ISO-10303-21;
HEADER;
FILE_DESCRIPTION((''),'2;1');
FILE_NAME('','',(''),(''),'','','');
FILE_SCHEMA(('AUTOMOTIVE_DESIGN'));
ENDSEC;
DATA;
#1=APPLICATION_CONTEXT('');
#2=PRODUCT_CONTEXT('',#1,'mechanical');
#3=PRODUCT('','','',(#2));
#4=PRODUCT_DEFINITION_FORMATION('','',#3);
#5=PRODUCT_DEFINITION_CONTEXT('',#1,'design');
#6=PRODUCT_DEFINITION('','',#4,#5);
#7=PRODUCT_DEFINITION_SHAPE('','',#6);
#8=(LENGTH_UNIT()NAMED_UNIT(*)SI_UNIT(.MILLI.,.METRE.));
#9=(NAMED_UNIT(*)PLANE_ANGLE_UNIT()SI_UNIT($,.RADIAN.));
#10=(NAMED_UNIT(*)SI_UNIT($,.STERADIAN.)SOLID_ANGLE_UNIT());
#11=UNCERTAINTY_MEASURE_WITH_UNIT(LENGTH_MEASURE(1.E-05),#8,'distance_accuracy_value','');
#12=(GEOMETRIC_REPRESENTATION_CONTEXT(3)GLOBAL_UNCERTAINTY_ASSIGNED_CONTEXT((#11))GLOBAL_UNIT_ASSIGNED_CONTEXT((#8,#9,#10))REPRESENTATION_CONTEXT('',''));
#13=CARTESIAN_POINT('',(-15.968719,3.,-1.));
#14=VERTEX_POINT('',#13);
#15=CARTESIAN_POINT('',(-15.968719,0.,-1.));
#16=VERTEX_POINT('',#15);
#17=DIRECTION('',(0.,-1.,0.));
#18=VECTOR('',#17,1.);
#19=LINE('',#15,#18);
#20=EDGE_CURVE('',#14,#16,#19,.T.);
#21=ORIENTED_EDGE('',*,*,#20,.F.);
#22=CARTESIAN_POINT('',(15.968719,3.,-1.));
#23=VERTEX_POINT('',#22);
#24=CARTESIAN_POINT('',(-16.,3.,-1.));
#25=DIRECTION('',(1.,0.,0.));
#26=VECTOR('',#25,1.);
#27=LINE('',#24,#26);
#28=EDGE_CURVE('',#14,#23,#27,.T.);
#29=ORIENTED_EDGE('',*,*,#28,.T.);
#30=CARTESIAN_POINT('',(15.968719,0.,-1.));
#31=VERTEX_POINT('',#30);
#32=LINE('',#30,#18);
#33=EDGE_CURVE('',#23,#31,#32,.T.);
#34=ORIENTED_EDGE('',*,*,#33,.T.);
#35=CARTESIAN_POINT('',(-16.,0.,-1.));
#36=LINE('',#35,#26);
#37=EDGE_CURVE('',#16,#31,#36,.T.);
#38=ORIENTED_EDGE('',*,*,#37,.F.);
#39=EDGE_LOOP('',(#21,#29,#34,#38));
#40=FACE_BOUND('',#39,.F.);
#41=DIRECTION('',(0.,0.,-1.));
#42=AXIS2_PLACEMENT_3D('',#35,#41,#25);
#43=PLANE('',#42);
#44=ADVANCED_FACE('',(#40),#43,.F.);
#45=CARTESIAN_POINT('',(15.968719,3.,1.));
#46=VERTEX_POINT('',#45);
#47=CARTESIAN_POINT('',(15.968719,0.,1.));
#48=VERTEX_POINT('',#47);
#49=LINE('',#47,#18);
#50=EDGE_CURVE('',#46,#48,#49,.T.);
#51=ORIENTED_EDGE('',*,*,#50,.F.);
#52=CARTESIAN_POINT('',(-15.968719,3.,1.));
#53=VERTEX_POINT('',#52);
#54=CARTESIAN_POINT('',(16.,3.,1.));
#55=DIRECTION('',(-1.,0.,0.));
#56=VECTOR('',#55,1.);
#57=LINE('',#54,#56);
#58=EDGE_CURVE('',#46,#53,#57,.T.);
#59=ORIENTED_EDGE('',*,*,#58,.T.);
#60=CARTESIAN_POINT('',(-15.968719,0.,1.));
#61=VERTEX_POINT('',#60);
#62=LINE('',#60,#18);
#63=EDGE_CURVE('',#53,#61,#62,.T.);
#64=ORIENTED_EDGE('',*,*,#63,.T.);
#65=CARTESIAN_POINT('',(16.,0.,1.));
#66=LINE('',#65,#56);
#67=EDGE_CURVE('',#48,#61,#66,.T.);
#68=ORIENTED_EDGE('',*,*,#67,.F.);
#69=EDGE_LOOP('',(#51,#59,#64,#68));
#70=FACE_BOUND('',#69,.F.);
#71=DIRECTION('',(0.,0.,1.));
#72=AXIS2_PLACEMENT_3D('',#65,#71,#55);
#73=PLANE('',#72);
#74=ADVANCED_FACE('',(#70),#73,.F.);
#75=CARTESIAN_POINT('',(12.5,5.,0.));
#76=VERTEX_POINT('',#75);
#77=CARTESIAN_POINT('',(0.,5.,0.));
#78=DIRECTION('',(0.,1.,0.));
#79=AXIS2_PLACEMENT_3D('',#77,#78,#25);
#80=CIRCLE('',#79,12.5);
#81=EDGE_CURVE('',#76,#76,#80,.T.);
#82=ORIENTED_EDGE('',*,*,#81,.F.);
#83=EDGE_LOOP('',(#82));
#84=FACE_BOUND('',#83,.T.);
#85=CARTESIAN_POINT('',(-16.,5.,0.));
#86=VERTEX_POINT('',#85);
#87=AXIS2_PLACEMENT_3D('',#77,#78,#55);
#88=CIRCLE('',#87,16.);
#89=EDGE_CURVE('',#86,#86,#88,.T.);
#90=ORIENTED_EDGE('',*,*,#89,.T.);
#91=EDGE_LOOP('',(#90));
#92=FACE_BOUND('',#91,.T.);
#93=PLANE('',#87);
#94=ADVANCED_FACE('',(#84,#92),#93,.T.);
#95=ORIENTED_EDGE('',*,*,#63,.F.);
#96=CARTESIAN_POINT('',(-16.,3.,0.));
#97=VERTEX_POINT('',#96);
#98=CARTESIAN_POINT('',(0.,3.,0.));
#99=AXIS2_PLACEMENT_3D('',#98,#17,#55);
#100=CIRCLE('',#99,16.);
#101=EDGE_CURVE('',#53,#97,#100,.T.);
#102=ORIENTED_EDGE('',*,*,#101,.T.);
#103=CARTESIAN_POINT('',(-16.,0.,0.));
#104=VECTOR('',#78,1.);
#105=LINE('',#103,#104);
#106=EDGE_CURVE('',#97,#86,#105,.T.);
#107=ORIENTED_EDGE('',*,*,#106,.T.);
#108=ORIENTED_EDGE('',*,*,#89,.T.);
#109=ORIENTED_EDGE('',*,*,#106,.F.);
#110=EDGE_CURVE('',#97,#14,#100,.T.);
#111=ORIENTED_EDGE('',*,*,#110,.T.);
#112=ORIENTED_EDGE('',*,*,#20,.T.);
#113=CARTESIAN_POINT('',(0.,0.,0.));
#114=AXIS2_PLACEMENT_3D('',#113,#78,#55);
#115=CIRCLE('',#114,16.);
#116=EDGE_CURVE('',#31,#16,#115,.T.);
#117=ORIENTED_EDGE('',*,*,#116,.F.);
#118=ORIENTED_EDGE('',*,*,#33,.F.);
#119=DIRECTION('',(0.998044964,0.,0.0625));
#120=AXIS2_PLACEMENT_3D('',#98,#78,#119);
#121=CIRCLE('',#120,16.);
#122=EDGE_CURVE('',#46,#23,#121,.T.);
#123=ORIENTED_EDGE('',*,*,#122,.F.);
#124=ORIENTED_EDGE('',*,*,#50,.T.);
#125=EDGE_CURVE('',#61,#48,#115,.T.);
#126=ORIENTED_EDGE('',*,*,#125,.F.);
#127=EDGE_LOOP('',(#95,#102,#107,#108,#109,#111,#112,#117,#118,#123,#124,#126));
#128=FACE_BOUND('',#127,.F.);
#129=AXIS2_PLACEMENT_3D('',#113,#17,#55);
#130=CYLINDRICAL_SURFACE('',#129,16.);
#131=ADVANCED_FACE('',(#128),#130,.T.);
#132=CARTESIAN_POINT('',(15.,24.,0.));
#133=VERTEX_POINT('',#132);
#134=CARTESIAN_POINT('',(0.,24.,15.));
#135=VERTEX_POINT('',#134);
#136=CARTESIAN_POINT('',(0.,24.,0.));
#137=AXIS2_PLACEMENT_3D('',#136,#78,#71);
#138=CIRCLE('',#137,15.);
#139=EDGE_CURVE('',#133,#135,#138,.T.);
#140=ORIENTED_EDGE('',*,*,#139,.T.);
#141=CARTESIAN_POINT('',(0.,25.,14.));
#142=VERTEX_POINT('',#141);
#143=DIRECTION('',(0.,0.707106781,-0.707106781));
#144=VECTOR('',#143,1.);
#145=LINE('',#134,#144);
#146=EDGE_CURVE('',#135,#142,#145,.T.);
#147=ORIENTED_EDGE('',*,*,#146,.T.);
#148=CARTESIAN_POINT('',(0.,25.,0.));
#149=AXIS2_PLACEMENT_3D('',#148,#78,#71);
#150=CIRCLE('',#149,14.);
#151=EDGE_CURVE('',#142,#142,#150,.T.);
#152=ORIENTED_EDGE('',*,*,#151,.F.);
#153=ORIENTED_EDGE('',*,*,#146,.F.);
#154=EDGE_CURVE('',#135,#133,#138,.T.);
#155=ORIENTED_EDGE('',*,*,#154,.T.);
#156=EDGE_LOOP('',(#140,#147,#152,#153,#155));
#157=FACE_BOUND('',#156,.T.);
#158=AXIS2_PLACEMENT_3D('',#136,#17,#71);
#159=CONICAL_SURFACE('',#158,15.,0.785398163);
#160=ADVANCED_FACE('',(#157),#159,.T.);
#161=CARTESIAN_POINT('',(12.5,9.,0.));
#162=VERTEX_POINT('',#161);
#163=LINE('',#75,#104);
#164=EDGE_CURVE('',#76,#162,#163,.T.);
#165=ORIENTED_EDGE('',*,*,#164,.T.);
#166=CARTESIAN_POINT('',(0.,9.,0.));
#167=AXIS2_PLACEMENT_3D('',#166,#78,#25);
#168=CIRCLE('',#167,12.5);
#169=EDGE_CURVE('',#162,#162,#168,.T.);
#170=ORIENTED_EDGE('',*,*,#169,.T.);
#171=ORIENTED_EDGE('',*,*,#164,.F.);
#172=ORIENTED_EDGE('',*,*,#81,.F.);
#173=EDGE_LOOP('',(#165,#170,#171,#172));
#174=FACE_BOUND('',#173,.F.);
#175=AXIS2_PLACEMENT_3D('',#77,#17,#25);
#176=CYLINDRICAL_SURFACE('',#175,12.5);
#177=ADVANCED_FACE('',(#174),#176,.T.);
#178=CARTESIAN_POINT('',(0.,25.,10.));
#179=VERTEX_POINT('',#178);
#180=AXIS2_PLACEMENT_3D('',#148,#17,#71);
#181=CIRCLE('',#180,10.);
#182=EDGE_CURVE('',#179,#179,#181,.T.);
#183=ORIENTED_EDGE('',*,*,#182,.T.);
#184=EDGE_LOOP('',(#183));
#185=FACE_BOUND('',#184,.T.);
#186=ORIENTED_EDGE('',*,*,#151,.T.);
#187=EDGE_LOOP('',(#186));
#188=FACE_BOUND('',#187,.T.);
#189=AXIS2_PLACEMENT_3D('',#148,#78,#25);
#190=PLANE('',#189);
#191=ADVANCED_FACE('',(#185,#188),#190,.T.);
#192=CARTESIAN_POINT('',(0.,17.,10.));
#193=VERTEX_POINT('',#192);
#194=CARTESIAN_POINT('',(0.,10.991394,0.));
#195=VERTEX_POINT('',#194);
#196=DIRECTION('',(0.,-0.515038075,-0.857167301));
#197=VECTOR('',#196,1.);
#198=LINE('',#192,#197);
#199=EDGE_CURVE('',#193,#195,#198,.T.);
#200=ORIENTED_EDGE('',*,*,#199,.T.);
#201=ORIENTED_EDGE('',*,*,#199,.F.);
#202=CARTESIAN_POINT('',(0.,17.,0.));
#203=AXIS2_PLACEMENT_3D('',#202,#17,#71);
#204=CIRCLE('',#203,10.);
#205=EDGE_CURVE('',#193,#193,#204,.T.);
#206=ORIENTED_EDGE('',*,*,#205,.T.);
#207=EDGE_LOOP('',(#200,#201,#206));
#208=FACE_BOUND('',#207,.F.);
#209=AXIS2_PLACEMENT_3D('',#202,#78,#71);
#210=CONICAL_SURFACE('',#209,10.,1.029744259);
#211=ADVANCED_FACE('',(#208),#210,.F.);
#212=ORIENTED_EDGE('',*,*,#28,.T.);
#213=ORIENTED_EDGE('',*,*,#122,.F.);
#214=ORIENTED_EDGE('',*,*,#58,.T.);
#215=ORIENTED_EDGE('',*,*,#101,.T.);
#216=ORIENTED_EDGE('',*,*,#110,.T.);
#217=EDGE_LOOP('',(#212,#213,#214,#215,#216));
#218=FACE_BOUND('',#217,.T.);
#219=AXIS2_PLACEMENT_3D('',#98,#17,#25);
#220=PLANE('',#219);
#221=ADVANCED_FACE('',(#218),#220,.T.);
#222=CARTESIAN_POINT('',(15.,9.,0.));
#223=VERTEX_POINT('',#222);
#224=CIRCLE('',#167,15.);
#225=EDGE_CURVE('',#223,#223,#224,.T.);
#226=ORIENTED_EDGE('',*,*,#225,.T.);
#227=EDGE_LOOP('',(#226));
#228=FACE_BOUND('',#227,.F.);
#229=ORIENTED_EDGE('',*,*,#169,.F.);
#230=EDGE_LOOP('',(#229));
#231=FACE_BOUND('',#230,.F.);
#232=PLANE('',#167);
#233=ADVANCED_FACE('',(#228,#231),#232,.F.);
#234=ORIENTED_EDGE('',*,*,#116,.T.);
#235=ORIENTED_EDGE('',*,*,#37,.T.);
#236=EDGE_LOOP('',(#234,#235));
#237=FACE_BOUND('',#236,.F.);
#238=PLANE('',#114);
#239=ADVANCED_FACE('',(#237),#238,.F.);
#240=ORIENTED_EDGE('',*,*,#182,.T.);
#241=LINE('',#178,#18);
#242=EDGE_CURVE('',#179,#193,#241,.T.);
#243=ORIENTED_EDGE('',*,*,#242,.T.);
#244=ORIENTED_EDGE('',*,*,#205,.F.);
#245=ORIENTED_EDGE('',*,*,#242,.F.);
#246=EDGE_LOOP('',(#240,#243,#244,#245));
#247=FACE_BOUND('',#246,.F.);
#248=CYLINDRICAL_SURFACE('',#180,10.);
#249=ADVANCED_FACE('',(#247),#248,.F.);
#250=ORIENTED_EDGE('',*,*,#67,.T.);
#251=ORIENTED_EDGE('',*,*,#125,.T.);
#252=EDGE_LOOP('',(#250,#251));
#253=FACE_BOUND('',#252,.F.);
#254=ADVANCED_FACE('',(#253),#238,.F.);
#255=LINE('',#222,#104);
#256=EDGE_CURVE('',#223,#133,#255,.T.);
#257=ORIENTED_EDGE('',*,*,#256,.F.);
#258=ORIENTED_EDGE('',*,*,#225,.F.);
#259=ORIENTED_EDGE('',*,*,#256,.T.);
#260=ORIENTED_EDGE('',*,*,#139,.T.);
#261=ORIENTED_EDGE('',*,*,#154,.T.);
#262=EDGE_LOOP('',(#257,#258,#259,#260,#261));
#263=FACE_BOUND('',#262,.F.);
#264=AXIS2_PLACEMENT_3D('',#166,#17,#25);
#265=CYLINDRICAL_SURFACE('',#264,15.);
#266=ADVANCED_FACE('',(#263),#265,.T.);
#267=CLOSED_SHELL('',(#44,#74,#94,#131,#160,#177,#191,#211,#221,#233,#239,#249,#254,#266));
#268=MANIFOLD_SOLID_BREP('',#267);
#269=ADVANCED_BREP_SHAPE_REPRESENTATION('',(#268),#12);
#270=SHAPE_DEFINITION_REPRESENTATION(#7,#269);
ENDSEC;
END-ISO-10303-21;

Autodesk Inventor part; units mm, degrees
ref_plane "YZ Plane" through (0, 0, 0) normal (1, 0, 0) x (0, 1, 0)
ref_plane "XZ Plane" through (0, 0, 0) normal (0, 1, 0) x (-1, 0, 0)
ref_plane "XY Plane" through (0, 0, 0) normal (0, 0, 1) x (1, 0, 0)
sketch "草图1" plane through (0, 0, 0) normal (0, 1, 0) x (-1, 0, 0)
  circle A0 centre (0, 0) radius 16
  dimension "d0" = 32
extrude "拉伸1" add sketch "草图1" along normal blind 5
sketch "草图2" plane through (0, 0, 0) normal (0, -1, 0) x (1, 0, 0)
  line L0 (16, 1) -> (-16, 1)
  line L1 (-16, 1) -> (-16, -1)
  line L2 (-16, -1) -> (16, -1)
  line L3 (16, -1) -> (16, 1)
  line L4 (16, 1) -> (-16, -1) construction
  line L5 (-16, 1) -> (16, -1) construction
  point P0 (0, 0)
  dimension "d3" = 32
  dimension "d4" = 2
extrude "拉伸2" cut sketch "草图2" against normal blind 3
sketch "草图3" plane through (0, 5, 0) normal (0, 1, 0) x (1, 0, 0)
  circle A0 centre (0, 0) radius 12.5
  dimension "d7" = 25
extrude "拉伸3" add sketch "草图3" along normal blind 4
sketch "草图4" plane through (0, 9, 0) normal (0, 1, 0) x (1, 0, 0)
  circle A0 centre (0, 0) radius 15
  dimension "d10" = 30
extrude "拉伸4" add sketch "草图4" along normal blind 16
sketch "草图5" plane through (0, 25, 0) normal (0, 1, 0) x (1, 0, 0)
  circle A0 centre (0, 0) radius 10
  dimension "d13" = 20
hole "孔1" at (0, 25, 0) direction (0, -1, 0) diameter 20 depth 8 tip angle 118
sketch "草图6" plane through (0, 0, 0) normal (1, 0, 0) x (0, 1, 0)
  line L0 (9, 15) -> (25, 15) projected
  line L1 (24, 15) -> (25, 14)
  line L2 (25, -15) -> (25, 15) projected
  line L3 (-5, 0) -> (30, 0) projected
  point P0 (0, 0)
  dimension "d21" = 1
  dimension "d22" = 45
revolve "旋转1" cut sketch "草图6" angle 360 about axis through (0, -10, 0) along (0, 1, 0)
thread "螺纹1" size "M30x3.5" designation "M30" class "6g" standard "GB Metric profile" length 48
properties part number "2-螺塞" material "不锈钢"
